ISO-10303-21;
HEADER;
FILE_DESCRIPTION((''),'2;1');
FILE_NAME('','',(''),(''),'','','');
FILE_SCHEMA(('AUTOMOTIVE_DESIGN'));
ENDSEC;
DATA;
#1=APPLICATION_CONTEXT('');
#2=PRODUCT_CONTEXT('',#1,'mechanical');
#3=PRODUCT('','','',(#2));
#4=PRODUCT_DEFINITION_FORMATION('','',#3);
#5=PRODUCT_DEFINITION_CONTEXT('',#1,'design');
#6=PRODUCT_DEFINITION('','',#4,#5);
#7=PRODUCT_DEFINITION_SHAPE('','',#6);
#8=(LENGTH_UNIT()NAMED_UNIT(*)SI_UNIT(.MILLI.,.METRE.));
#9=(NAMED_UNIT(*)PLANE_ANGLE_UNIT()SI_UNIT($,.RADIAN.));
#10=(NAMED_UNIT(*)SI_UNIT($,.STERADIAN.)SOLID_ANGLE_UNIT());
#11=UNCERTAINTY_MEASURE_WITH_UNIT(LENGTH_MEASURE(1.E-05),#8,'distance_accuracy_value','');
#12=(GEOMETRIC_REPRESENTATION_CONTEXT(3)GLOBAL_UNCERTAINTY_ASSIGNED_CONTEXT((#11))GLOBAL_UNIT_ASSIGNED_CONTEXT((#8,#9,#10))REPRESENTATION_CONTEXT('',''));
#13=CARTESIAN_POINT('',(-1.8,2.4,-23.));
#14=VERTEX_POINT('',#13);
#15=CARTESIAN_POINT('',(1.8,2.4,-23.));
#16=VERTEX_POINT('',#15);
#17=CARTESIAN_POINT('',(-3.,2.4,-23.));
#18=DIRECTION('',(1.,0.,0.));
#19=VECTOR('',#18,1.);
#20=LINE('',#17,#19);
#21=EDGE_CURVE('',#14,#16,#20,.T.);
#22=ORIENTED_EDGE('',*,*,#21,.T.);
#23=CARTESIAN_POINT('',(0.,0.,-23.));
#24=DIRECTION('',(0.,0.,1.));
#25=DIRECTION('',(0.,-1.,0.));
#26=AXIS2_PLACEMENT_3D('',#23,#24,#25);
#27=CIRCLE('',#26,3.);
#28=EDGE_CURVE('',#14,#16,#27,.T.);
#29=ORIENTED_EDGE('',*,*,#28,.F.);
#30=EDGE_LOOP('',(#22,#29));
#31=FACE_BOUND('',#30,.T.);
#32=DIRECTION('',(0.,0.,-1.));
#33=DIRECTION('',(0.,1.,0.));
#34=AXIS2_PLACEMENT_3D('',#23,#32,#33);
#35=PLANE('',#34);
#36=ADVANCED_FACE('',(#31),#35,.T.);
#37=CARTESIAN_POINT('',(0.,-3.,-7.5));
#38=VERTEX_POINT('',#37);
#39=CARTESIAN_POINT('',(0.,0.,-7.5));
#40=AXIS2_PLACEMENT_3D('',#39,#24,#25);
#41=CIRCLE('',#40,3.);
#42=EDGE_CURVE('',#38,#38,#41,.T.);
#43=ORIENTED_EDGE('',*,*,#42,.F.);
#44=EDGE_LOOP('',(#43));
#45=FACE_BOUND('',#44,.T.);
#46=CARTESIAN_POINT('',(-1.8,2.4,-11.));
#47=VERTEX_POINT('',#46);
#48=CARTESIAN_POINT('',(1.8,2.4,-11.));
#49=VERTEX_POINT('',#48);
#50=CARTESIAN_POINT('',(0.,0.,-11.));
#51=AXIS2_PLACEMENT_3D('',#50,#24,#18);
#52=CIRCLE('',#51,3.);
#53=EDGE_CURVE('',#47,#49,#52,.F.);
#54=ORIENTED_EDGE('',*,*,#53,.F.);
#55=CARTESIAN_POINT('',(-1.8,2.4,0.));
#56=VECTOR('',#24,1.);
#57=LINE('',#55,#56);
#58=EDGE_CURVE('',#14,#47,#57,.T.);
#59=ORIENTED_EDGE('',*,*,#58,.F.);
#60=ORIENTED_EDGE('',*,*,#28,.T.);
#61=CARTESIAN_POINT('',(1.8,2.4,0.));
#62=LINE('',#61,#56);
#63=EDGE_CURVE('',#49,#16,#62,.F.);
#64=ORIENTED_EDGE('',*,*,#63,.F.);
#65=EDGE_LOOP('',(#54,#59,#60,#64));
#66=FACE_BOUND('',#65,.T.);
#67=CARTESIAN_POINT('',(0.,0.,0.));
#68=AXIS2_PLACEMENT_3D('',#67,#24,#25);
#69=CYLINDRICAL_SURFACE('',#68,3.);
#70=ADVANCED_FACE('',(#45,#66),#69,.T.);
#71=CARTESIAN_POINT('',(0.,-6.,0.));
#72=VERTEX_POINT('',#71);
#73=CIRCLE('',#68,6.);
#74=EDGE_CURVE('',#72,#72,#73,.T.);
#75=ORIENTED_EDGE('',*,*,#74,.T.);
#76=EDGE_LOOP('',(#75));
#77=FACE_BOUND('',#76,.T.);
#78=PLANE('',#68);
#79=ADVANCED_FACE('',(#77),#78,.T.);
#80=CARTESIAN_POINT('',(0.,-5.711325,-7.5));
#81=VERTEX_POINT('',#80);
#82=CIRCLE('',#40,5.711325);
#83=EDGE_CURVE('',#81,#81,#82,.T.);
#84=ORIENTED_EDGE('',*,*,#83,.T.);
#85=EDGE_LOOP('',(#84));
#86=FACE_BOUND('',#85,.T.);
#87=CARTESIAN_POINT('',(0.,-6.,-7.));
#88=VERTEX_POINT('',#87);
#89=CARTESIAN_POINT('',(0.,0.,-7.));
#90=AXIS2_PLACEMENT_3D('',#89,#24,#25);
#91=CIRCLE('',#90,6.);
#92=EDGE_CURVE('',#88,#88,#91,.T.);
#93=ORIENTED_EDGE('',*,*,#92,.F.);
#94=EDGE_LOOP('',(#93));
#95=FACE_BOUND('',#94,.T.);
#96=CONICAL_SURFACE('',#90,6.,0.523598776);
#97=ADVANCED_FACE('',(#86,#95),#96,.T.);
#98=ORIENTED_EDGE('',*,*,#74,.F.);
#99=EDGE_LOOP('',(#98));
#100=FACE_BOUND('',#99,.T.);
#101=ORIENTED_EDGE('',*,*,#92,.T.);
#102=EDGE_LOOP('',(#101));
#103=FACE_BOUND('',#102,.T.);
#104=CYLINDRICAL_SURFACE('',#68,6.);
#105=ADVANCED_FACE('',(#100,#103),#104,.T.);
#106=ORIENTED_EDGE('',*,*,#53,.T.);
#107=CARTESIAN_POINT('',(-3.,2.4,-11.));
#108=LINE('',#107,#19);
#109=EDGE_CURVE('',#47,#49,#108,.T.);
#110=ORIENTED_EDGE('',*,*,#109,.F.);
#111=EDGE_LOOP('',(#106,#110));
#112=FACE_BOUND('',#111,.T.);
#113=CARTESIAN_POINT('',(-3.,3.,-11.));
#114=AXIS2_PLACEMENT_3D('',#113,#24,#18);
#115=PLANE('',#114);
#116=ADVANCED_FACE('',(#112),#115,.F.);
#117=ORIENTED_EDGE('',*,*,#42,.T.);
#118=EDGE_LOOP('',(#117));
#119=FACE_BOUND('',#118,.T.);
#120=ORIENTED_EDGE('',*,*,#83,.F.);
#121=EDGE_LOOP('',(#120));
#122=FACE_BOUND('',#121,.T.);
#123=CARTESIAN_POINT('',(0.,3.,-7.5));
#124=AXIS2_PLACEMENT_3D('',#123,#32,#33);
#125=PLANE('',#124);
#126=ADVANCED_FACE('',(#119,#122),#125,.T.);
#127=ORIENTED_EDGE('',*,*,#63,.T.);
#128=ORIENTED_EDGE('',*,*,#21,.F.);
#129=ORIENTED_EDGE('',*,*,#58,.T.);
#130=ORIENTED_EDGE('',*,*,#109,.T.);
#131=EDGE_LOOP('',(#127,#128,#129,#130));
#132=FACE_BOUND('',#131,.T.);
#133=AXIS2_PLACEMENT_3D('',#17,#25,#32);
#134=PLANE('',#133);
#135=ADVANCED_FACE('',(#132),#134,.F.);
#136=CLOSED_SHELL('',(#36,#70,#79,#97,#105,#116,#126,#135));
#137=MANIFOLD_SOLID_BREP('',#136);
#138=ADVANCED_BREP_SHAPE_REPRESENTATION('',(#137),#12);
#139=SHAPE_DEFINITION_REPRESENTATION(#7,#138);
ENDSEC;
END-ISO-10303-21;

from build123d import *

# Parameters (mm, degrees)
CROQUIS5_W            = 12
CROQUIS5_H            = 0.6
CORTAR_EXTRUIR2_DEPTH = 3


with BuildPart() as part:
    # Croquis2 → Revolución1 (revolve)
    with BuildSketch(Plane(origin=(0, 0, 7), x_dir=(0, 0, 1), z_dir=(-1, 0, 0)), mode=Mode.PRIVATE) as revoluci_n1_sk:
        Polygon((-7, 0), (-30, 0), (-30, 3), (-14.5, 3), (-14.5, 5.711324865), (-14, 6), (-7, 6), align=None)
    revolve(revoluci_n1_sk.sketch.rotate(Axis((0, 0, 0), (0, 0, -1)), 180), axis=Axis((0, 0, 0), (0, 0, -1)))

    # Croquis5 → Cortar-Extruir2 (cut, symmetric)
    with BuildSketch(Plane(origin=(0, 0, 0), x_dir=(0, 0, -1), z_dir=(1, 0, 0))):
        with Locations((17, 2.7)):
            Rectangle(CROQUIS5_W, CROQUIS5_H)
    extrude(amount=CORTAR_EXTRUIR2_DEPTH, both=True, mode=Mode.SUBTRACT)


solid = part.part
